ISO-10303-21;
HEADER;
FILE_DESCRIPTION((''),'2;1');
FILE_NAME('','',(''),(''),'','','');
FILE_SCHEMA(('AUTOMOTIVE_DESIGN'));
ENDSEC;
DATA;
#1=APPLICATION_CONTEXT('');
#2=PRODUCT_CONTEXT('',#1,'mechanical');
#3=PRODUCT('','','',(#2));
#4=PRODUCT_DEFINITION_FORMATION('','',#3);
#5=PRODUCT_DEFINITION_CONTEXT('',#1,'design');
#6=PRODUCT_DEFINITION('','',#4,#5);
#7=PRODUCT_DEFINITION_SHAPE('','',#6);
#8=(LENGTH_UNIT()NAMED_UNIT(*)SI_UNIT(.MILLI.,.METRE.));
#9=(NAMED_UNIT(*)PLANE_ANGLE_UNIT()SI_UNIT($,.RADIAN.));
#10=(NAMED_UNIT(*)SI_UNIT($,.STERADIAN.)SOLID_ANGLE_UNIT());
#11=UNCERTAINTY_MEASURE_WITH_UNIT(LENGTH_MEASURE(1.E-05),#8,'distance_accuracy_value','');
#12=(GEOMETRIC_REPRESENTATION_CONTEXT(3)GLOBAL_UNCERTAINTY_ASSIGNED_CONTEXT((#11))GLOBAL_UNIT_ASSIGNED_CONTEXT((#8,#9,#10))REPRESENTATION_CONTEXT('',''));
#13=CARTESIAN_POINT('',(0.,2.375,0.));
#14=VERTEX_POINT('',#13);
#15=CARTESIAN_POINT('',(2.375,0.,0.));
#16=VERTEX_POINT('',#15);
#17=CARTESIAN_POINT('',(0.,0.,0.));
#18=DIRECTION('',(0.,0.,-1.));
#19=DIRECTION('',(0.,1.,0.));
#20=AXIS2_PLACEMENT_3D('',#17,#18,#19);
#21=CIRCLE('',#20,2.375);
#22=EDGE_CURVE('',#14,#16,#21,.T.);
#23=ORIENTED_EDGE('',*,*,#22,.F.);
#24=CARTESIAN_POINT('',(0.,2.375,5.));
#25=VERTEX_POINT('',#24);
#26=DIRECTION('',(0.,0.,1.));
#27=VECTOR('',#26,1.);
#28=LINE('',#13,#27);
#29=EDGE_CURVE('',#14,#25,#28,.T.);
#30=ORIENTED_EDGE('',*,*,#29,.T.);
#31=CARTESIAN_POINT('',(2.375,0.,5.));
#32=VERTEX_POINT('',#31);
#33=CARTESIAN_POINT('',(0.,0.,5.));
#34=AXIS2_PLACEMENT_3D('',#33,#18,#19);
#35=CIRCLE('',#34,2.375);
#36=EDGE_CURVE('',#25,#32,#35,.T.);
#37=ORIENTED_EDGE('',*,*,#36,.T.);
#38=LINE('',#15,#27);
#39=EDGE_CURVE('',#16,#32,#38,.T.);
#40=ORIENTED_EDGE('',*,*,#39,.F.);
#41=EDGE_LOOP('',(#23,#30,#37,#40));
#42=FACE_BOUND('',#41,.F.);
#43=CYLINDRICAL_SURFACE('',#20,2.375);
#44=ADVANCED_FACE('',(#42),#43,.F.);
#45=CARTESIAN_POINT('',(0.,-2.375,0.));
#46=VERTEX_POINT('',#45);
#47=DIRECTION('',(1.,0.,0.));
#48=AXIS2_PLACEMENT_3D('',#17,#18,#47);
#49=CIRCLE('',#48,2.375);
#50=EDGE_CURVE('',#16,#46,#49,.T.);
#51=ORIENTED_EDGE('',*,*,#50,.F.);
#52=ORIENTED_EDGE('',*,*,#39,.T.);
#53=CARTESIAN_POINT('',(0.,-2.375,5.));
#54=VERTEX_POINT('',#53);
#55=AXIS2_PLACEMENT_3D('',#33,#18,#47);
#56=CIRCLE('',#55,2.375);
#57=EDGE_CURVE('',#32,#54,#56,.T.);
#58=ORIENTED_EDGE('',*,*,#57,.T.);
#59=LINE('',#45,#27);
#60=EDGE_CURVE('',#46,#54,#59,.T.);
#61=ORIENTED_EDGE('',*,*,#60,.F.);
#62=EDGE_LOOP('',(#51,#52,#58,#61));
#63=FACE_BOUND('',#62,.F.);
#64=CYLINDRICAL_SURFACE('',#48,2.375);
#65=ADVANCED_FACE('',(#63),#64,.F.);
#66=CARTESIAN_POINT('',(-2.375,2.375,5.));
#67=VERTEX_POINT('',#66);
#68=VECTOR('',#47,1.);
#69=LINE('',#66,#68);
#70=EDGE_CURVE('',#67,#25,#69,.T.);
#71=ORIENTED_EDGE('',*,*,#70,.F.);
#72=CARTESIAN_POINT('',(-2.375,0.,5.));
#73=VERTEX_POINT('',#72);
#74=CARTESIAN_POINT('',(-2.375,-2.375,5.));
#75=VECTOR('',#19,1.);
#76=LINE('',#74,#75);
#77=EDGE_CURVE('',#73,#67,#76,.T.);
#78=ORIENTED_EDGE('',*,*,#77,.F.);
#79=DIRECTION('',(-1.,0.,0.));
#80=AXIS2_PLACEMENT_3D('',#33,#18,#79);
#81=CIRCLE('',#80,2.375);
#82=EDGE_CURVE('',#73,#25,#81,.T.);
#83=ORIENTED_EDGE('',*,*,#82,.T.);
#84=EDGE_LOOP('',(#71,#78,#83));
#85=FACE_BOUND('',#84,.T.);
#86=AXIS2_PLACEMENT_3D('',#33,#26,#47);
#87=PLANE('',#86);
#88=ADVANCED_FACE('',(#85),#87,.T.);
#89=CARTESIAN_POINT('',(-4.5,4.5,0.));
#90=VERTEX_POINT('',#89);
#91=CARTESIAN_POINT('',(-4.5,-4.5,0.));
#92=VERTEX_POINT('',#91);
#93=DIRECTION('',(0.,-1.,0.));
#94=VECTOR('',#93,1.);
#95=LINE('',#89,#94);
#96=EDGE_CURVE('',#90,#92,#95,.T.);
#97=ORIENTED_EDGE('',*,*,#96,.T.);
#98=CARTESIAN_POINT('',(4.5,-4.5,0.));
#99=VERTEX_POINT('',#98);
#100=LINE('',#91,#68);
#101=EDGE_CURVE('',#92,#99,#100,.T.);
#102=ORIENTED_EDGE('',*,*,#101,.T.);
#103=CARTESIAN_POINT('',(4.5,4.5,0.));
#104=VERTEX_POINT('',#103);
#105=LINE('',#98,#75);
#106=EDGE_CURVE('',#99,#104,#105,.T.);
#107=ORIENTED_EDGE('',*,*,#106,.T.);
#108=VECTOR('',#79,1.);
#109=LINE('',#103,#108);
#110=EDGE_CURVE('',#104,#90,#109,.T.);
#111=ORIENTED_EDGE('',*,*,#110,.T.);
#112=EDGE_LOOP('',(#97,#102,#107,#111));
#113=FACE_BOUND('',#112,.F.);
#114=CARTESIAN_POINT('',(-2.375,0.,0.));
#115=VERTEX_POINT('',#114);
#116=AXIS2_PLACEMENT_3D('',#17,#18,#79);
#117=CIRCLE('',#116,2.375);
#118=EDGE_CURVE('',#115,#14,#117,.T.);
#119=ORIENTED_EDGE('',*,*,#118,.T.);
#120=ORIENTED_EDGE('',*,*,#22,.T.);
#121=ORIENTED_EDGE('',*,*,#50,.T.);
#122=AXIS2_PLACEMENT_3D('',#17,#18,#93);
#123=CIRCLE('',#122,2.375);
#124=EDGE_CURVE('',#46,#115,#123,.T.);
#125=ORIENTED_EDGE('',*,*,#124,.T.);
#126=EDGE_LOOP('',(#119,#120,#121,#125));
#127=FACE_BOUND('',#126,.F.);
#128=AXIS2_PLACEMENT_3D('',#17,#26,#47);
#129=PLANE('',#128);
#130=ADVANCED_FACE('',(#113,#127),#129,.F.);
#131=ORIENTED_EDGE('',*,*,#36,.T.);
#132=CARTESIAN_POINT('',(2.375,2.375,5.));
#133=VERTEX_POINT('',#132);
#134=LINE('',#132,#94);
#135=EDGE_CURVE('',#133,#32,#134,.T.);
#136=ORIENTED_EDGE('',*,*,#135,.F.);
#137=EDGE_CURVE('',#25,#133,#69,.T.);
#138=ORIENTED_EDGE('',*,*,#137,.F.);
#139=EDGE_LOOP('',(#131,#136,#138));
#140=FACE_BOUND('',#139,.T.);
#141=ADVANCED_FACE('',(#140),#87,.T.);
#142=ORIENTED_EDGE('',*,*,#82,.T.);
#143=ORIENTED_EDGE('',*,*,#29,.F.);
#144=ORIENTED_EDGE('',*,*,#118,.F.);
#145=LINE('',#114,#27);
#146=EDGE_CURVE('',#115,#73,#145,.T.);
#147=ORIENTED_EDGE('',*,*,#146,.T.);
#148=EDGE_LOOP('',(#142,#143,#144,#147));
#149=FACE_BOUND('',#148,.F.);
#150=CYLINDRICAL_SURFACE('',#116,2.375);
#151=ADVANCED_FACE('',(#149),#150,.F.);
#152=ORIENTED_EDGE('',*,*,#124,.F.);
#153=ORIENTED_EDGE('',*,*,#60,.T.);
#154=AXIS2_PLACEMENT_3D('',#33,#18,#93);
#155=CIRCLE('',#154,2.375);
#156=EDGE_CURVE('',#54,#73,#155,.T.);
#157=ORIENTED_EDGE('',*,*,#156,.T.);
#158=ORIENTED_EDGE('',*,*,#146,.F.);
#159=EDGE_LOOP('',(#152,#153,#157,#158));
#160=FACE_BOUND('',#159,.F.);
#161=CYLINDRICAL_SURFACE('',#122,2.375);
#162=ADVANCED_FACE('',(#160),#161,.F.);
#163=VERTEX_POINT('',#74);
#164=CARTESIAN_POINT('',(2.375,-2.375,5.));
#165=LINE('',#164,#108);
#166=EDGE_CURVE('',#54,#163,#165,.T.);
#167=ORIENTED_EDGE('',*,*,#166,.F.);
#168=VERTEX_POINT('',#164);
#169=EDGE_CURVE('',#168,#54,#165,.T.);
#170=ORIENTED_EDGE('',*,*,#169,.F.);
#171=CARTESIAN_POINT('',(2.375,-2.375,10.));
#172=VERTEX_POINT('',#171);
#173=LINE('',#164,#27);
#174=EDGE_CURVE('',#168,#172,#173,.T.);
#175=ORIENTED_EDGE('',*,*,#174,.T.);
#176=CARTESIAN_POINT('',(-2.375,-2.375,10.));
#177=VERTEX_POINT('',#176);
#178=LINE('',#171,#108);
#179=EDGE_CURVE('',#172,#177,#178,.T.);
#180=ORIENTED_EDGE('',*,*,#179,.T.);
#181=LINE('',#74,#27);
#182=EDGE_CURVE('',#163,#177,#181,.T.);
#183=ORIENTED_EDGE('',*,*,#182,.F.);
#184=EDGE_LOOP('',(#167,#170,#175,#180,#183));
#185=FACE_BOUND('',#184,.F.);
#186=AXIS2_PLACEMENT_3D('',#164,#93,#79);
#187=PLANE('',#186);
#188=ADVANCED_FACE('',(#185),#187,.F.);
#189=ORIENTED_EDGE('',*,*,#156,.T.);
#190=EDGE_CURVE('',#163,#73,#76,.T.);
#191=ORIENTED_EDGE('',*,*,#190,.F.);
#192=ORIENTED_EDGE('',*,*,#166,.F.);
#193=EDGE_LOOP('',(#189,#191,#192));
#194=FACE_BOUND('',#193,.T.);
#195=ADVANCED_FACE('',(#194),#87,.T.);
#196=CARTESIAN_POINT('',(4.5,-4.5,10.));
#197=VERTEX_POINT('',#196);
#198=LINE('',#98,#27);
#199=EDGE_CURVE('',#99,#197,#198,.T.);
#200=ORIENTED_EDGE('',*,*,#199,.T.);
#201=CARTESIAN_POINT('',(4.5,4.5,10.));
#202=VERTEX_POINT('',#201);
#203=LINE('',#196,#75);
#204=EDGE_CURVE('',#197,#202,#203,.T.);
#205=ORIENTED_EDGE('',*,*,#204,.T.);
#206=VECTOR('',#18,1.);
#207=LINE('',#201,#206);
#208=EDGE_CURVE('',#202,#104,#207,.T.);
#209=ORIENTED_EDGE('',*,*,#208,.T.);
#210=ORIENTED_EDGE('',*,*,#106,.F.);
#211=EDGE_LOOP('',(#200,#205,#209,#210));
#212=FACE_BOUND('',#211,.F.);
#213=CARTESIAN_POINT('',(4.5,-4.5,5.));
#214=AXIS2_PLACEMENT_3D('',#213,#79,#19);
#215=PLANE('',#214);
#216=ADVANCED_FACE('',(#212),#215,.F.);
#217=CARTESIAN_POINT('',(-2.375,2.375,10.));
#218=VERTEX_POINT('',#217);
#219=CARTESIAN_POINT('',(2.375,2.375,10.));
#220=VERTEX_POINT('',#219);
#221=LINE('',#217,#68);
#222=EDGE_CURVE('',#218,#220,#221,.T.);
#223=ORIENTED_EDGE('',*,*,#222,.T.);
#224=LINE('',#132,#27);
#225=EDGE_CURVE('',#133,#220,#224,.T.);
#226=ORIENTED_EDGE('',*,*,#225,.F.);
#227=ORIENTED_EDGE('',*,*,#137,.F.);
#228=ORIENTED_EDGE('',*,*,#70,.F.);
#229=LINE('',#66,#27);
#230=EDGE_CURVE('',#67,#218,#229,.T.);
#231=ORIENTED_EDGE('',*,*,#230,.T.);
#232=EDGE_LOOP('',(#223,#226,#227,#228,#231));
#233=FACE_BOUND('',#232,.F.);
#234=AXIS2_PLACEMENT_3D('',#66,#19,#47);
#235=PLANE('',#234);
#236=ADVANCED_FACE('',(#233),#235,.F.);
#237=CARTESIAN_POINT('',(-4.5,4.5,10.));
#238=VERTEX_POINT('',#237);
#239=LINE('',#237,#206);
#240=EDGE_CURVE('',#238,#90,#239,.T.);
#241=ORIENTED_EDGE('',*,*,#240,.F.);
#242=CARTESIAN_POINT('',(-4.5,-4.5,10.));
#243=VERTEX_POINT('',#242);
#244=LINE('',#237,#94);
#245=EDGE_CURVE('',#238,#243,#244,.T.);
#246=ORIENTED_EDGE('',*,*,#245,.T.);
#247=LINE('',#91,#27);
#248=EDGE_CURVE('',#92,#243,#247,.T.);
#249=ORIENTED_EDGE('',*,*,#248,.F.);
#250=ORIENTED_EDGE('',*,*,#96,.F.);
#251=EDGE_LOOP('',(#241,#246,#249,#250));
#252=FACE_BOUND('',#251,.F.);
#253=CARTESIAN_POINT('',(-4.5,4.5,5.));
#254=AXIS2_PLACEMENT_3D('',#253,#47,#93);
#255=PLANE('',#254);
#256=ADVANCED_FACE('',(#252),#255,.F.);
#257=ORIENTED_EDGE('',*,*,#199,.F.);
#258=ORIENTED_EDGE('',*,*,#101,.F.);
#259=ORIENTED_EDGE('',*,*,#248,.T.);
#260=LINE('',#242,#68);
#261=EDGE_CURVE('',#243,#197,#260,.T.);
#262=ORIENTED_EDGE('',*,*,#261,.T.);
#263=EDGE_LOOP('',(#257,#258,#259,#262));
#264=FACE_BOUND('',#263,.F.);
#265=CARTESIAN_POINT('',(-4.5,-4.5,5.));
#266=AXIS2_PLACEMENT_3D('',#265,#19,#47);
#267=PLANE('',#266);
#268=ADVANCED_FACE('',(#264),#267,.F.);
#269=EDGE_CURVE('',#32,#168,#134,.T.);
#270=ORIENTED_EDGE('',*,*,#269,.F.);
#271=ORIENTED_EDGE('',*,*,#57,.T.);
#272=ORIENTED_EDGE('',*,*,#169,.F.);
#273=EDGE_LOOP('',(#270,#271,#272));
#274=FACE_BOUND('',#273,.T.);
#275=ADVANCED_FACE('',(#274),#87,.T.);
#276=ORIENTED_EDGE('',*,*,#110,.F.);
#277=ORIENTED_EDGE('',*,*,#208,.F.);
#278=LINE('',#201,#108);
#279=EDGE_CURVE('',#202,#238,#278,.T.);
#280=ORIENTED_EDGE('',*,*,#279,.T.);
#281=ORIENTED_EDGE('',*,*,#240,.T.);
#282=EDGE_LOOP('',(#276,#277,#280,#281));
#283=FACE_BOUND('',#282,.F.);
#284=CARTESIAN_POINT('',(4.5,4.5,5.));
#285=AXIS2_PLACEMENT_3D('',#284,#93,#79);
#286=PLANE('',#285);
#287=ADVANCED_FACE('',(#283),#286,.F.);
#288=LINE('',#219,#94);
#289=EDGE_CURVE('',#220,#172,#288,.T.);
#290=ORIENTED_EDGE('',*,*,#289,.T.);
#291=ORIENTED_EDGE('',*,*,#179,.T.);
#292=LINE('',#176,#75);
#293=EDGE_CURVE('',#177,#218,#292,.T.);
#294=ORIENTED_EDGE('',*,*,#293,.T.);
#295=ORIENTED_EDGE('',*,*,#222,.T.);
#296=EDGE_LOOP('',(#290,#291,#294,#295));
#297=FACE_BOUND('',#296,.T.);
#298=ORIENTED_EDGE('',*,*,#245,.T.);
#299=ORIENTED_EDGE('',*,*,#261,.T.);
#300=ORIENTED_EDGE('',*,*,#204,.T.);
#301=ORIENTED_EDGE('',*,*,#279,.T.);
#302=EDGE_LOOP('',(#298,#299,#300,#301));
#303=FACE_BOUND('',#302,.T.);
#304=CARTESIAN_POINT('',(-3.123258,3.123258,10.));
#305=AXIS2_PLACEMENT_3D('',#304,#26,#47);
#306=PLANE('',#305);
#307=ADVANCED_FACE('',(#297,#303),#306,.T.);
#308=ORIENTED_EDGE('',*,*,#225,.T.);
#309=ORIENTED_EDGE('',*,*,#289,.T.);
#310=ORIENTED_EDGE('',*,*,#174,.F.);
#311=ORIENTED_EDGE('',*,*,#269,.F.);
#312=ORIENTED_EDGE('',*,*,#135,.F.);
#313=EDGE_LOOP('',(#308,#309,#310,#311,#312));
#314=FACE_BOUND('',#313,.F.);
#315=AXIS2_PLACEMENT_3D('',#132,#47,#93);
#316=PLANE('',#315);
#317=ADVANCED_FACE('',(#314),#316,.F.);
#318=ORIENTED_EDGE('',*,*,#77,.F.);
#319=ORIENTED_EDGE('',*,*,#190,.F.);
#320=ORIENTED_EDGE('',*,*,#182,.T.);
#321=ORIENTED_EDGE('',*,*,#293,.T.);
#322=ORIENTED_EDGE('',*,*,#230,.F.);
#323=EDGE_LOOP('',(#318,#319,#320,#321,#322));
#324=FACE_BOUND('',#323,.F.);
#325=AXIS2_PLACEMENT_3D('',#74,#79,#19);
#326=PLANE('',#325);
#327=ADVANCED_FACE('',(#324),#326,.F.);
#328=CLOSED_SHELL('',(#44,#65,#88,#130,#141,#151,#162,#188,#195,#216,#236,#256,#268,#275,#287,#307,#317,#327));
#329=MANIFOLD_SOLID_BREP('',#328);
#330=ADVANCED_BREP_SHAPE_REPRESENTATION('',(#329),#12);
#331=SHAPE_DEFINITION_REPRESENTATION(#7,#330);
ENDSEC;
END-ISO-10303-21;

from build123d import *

# Parameters (mm, degrees)
F1_DEPTH = 5
F2_START = 5
F2_DEPTH = 5


with BuildPart() as f1:
    # F0 (on Top) → F1 (new body)
    with BuildSketch(Plane.XY):
        with BuildLine():
            ThreePointArc((0, -4.5), (3.1819805153, -3.1819805153), (4.5, 0))
            ThreePointArc((4.5, 0), (3.1819805153, 3.1819805153), (0, 4.5))
            ThreePointArc((0, 4.5), (-3.1819805153, 3.1819805153), (-4.5, 0))
            ThreePointArc((-4.5, 0), (-3.1819805153, -3.1819805153), (0, -4.5))
        make_face()
        Polygon((2.375, 2.375), (2.375, 0), (2.375, -2.375), (0, -2.375), (-2.375, -2.375), (-2.375, 0), (-2.375, 2.375), (0, 2.375), align=None, mode=Mode.SUBTRACT)
        with BuildLine():
            ThreePointArc((-4.5, 0), (-3.1819805153, 3.1819805153), (0, 4.5))
            Line((0, 4.5), (-4.5, 4.5))
            Line((-4.5, 4.5), (-4.5, 0))
        make_face()
        with BuildLine():
            ThreePointArc((0, 4.5), (3.1819805153, 3.1819805153), (4.5, 0))
            Line((4.5, 0), (4.5, 4.5))
            Line((4.5, 4.5), (0, 4.5))
        make_face()
        with BuildLine():
            Line((4.5, -4.5), (4.5, 0))
            ThreePointArc((4.5, 0), (3.1819805153, -3.1819805153), (0, -4.5))
            Line((0, -4.5), (4.5, -4.5))
        make_face()
        with BuildLine():
            Line((-4.5, -4.5), (0, -4.5))
            ThreePointArc((0, -4.5), (-3.1819805153, -3.1819805153), (-4.5, 0))
            Line((-4.5, 0), (-4.5, -4.5))
        make_face()
        with BuildLine():
            ThreePointArc((-2.375, 0), (-1.6793786053, 1.6793786053), (0, 2.375))
            Line((0, 2.375), (-2.375, 2.375))
            Line((-2.375, 2.375), (-2.375, 0))
        make_face()
        with BuildLine():
            Line((-2.375, -2.375), (0, -2.375))
            ThreePointArc((0, -2.375), (-1.6793786053, -1.6793786053), (-2.375, 0))
            Line((-2.375, 0), (-2.375, -2.375))
        make_face()
        with BuildLine():
            Line((2.375, -2.375), (2.375, 0))
            ThreePointArc((2.375, 0), (1.6793786053, -1.6793786053), (0, -2.375))
            Line((0, -2.375), (2.375, -2.375))
        make_face()
        with BuildLine():
            ThreePointArc((0, 2.375), (1.6793786053, 1.6793786053), (2.375, 0))
            Line((2.375, 0), (2.375, 2.375))
            Line((2.375, 2.375), (0, 2.375))
        make_face()
    extrude(amount=F1_DEPTH)

    # F0 (on Top) → F2 (join)
    with BuildSketch(Plane.XY.offset(F2_START)):
        with BuildLine():
            ThreePointArc((-4.5, 0), (-3.1819805153, 3.1819805153), (0, 4.5))
            Line((0, 4.5), (-4.5, 4.5))
            Line((-4.5, 4.5), (-4.5, 0))
        make_face()
        with BuildLine():
            ThreePointArc((0, -4.5), (3.1819805153, -3.1819805153), (4.5, 0))
            ThreePointArc((4.5, 0), (3.1819805153, 3.1819805153), (0, 4.5))
            ThreePointArc((0, 4.5), (-3.1819805153, 3.1819805153), (-4.5, 0))
            ThreePointArc((-4.5, 0), (-3.1819805153, -3.1819805153), (0, -4.5))
        make_face()
        Polygon((2.375, 2.375), (2.375, 0), (2.375, -2.375), (0, -2.375), (-2.375, -2.375), (-2.375, 0), (-2.375, 2.375), (0, 2.375), align=None, mode=Mode.SUBTRACT)
        with BuildLine():
            Line((-4.5, -4.5), (0, -4.5))
            ThreePointArc((0, -4.5), (-3.1819805153, -3.1819805153), (-4.5, 0))
            Line((-4.5, 0), (-4.5, -4.5))
        make_face()
        with BuildLine():
            Line((4.5, -4.5), (4.5, 0))
            ThreePointArc((4.5, 0), (3.1819805153, -3.1819805153), (0, -4.5))
            Line((0, -4.5), (4.5, -4.5))
        make_face()
        with BuildLine():
            ThreePointArc((0, 4.5), (3.1819805153, 3.1819805153), (4.5, 0))
            Line((4.5, 0), (4.5, 4.5))
            Line((4.5, 4.5), (0, 4.5))
        make_face()
    extrude(amount=F2_DEPTH)


solid = f1.part
